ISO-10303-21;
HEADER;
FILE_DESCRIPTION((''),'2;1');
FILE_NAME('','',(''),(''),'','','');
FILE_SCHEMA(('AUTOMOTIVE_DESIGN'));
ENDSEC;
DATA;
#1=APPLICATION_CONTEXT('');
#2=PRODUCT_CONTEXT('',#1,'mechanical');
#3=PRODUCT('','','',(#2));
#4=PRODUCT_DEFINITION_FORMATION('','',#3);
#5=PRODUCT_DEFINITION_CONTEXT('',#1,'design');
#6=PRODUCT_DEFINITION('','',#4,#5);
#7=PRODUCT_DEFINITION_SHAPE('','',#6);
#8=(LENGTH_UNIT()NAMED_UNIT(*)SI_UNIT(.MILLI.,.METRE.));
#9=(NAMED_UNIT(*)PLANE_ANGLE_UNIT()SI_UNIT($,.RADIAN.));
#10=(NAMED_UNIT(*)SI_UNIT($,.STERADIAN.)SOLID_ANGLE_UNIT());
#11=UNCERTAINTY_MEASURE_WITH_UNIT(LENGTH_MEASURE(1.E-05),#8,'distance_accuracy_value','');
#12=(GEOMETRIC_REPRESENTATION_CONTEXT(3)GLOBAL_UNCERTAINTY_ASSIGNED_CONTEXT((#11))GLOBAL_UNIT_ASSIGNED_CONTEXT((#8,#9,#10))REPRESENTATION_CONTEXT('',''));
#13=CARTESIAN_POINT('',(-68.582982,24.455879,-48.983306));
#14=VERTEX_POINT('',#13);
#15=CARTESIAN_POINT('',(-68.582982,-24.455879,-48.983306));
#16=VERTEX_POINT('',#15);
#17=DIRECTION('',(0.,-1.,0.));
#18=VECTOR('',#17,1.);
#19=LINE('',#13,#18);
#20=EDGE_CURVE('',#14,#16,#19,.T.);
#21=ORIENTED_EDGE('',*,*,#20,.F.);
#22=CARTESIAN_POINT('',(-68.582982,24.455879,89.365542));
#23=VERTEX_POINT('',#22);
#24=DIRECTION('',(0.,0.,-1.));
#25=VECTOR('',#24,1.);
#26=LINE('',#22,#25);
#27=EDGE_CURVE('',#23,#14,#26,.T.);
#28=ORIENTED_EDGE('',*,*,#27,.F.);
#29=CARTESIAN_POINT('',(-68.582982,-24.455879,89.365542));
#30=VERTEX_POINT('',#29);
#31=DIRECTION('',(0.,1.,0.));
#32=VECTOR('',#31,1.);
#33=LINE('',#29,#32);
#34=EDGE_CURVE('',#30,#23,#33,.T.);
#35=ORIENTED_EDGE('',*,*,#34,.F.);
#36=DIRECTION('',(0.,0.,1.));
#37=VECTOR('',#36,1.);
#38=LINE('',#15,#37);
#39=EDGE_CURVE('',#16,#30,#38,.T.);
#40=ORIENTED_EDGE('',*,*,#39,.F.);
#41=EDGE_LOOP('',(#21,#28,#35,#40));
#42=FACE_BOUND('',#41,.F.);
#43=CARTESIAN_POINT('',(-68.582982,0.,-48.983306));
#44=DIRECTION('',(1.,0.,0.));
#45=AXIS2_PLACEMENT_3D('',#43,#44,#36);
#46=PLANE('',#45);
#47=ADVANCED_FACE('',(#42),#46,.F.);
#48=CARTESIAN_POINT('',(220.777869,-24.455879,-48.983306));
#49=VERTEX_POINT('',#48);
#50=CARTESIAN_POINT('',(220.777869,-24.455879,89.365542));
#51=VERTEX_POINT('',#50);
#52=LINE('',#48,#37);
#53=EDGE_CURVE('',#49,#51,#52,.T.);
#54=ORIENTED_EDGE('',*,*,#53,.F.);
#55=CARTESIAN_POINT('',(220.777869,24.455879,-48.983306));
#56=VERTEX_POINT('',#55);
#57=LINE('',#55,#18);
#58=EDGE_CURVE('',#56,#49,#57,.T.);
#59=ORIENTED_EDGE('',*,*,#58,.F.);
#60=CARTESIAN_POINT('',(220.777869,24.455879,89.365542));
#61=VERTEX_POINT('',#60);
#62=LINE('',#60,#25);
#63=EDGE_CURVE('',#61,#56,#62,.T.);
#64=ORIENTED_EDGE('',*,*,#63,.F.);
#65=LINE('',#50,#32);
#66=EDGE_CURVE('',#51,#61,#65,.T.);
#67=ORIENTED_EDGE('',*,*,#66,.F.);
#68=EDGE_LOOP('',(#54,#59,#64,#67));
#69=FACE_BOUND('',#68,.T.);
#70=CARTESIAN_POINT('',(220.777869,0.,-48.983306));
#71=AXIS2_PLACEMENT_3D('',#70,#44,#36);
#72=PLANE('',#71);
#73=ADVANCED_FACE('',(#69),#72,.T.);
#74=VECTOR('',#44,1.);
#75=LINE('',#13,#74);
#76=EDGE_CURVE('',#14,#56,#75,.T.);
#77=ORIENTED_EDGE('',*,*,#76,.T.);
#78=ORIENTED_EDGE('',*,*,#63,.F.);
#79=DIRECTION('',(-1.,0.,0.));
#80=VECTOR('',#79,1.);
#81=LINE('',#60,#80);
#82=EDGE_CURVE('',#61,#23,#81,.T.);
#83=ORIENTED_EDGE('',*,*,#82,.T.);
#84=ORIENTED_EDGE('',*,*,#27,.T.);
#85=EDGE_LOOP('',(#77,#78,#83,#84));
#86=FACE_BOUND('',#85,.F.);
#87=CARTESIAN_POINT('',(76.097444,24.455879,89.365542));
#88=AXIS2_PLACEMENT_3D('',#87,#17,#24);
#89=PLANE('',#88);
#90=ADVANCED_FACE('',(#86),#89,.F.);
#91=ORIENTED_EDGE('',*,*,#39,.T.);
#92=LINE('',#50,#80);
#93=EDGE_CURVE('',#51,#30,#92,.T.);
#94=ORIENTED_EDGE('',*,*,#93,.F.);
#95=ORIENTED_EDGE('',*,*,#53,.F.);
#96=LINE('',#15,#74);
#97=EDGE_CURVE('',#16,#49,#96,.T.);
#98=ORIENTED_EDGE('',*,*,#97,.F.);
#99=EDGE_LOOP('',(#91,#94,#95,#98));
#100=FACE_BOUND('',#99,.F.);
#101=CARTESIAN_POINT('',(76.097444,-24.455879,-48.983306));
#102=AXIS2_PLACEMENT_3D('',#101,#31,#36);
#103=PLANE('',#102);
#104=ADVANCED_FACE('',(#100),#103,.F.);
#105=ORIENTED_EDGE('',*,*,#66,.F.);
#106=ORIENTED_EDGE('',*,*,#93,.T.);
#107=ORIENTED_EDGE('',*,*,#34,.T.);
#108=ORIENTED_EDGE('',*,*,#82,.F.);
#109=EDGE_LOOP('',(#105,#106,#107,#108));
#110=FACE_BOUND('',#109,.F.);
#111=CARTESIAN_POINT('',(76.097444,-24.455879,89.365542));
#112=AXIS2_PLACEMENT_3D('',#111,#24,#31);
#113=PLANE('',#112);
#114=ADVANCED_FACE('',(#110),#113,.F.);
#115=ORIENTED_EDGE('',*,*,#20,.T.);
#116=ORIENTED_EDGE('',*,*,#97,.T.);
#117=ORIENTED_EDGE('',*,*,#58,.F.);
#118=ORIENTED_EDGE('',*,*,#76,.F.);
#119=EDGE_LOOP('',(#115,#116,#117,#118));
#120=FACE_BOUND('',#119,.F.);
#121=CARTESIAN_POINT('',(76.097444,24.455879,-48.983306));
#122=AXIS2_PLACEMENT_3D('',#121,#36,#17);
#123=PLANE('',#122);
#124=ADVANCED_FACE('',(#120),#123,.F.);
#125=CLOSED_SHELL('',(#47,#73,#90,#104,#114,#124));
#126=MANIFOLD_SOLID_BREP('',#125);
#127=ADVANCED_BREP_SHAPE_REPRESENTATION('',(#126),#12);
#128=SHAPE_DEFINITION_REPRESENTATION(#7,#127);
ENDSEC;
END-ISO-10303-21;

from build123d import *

# Parameters (mm, degrees)
F0_W     = 48.3708679676
F0_H     = 97.9666113853
F1_DEPTH = 24.4558788836
F2_DEPTH = 40.3822362423
F3_DEPTH = 51.912009716
F4_DEPTH = 144.6804255247


with BuildPart() as f1:
    # F0 (on Front) → F1 (new body, symmetric)
    with BuildSketch(Plane.XZ):
        Rectangle(F0_W, F0_H)
    extrude(amount=F1_DEPTH, both=True)

    # F2 (add, symmetric): a face of the model
    f2_faces = [f1.faces().sort_by_distance(p)[0] for p in [
        (0, 0, 48.9833056927),
    ]]
    extrude(f2_faces, amount=F2_DEPTH, both=True)

    # F3 (add): a face of the model
    f3_faces = [f1.faces().sort_by_distance(p)[0] for p in [
        (24.1854339838, 0, 20.1911181211),
    ]]
    extrude(f3_faces, amount=F3_DEPTH)

    # F4 (add, symmetric): a face of the model
    f4_faces = [f1.faces().sort_by_distance(p)[0] for p in [
        (76.0974436998, 0, 20.1911181211),
    ]]
    extrude(f4_faces, amount=F4_DEPTH, both=True)


solid = f1.part
